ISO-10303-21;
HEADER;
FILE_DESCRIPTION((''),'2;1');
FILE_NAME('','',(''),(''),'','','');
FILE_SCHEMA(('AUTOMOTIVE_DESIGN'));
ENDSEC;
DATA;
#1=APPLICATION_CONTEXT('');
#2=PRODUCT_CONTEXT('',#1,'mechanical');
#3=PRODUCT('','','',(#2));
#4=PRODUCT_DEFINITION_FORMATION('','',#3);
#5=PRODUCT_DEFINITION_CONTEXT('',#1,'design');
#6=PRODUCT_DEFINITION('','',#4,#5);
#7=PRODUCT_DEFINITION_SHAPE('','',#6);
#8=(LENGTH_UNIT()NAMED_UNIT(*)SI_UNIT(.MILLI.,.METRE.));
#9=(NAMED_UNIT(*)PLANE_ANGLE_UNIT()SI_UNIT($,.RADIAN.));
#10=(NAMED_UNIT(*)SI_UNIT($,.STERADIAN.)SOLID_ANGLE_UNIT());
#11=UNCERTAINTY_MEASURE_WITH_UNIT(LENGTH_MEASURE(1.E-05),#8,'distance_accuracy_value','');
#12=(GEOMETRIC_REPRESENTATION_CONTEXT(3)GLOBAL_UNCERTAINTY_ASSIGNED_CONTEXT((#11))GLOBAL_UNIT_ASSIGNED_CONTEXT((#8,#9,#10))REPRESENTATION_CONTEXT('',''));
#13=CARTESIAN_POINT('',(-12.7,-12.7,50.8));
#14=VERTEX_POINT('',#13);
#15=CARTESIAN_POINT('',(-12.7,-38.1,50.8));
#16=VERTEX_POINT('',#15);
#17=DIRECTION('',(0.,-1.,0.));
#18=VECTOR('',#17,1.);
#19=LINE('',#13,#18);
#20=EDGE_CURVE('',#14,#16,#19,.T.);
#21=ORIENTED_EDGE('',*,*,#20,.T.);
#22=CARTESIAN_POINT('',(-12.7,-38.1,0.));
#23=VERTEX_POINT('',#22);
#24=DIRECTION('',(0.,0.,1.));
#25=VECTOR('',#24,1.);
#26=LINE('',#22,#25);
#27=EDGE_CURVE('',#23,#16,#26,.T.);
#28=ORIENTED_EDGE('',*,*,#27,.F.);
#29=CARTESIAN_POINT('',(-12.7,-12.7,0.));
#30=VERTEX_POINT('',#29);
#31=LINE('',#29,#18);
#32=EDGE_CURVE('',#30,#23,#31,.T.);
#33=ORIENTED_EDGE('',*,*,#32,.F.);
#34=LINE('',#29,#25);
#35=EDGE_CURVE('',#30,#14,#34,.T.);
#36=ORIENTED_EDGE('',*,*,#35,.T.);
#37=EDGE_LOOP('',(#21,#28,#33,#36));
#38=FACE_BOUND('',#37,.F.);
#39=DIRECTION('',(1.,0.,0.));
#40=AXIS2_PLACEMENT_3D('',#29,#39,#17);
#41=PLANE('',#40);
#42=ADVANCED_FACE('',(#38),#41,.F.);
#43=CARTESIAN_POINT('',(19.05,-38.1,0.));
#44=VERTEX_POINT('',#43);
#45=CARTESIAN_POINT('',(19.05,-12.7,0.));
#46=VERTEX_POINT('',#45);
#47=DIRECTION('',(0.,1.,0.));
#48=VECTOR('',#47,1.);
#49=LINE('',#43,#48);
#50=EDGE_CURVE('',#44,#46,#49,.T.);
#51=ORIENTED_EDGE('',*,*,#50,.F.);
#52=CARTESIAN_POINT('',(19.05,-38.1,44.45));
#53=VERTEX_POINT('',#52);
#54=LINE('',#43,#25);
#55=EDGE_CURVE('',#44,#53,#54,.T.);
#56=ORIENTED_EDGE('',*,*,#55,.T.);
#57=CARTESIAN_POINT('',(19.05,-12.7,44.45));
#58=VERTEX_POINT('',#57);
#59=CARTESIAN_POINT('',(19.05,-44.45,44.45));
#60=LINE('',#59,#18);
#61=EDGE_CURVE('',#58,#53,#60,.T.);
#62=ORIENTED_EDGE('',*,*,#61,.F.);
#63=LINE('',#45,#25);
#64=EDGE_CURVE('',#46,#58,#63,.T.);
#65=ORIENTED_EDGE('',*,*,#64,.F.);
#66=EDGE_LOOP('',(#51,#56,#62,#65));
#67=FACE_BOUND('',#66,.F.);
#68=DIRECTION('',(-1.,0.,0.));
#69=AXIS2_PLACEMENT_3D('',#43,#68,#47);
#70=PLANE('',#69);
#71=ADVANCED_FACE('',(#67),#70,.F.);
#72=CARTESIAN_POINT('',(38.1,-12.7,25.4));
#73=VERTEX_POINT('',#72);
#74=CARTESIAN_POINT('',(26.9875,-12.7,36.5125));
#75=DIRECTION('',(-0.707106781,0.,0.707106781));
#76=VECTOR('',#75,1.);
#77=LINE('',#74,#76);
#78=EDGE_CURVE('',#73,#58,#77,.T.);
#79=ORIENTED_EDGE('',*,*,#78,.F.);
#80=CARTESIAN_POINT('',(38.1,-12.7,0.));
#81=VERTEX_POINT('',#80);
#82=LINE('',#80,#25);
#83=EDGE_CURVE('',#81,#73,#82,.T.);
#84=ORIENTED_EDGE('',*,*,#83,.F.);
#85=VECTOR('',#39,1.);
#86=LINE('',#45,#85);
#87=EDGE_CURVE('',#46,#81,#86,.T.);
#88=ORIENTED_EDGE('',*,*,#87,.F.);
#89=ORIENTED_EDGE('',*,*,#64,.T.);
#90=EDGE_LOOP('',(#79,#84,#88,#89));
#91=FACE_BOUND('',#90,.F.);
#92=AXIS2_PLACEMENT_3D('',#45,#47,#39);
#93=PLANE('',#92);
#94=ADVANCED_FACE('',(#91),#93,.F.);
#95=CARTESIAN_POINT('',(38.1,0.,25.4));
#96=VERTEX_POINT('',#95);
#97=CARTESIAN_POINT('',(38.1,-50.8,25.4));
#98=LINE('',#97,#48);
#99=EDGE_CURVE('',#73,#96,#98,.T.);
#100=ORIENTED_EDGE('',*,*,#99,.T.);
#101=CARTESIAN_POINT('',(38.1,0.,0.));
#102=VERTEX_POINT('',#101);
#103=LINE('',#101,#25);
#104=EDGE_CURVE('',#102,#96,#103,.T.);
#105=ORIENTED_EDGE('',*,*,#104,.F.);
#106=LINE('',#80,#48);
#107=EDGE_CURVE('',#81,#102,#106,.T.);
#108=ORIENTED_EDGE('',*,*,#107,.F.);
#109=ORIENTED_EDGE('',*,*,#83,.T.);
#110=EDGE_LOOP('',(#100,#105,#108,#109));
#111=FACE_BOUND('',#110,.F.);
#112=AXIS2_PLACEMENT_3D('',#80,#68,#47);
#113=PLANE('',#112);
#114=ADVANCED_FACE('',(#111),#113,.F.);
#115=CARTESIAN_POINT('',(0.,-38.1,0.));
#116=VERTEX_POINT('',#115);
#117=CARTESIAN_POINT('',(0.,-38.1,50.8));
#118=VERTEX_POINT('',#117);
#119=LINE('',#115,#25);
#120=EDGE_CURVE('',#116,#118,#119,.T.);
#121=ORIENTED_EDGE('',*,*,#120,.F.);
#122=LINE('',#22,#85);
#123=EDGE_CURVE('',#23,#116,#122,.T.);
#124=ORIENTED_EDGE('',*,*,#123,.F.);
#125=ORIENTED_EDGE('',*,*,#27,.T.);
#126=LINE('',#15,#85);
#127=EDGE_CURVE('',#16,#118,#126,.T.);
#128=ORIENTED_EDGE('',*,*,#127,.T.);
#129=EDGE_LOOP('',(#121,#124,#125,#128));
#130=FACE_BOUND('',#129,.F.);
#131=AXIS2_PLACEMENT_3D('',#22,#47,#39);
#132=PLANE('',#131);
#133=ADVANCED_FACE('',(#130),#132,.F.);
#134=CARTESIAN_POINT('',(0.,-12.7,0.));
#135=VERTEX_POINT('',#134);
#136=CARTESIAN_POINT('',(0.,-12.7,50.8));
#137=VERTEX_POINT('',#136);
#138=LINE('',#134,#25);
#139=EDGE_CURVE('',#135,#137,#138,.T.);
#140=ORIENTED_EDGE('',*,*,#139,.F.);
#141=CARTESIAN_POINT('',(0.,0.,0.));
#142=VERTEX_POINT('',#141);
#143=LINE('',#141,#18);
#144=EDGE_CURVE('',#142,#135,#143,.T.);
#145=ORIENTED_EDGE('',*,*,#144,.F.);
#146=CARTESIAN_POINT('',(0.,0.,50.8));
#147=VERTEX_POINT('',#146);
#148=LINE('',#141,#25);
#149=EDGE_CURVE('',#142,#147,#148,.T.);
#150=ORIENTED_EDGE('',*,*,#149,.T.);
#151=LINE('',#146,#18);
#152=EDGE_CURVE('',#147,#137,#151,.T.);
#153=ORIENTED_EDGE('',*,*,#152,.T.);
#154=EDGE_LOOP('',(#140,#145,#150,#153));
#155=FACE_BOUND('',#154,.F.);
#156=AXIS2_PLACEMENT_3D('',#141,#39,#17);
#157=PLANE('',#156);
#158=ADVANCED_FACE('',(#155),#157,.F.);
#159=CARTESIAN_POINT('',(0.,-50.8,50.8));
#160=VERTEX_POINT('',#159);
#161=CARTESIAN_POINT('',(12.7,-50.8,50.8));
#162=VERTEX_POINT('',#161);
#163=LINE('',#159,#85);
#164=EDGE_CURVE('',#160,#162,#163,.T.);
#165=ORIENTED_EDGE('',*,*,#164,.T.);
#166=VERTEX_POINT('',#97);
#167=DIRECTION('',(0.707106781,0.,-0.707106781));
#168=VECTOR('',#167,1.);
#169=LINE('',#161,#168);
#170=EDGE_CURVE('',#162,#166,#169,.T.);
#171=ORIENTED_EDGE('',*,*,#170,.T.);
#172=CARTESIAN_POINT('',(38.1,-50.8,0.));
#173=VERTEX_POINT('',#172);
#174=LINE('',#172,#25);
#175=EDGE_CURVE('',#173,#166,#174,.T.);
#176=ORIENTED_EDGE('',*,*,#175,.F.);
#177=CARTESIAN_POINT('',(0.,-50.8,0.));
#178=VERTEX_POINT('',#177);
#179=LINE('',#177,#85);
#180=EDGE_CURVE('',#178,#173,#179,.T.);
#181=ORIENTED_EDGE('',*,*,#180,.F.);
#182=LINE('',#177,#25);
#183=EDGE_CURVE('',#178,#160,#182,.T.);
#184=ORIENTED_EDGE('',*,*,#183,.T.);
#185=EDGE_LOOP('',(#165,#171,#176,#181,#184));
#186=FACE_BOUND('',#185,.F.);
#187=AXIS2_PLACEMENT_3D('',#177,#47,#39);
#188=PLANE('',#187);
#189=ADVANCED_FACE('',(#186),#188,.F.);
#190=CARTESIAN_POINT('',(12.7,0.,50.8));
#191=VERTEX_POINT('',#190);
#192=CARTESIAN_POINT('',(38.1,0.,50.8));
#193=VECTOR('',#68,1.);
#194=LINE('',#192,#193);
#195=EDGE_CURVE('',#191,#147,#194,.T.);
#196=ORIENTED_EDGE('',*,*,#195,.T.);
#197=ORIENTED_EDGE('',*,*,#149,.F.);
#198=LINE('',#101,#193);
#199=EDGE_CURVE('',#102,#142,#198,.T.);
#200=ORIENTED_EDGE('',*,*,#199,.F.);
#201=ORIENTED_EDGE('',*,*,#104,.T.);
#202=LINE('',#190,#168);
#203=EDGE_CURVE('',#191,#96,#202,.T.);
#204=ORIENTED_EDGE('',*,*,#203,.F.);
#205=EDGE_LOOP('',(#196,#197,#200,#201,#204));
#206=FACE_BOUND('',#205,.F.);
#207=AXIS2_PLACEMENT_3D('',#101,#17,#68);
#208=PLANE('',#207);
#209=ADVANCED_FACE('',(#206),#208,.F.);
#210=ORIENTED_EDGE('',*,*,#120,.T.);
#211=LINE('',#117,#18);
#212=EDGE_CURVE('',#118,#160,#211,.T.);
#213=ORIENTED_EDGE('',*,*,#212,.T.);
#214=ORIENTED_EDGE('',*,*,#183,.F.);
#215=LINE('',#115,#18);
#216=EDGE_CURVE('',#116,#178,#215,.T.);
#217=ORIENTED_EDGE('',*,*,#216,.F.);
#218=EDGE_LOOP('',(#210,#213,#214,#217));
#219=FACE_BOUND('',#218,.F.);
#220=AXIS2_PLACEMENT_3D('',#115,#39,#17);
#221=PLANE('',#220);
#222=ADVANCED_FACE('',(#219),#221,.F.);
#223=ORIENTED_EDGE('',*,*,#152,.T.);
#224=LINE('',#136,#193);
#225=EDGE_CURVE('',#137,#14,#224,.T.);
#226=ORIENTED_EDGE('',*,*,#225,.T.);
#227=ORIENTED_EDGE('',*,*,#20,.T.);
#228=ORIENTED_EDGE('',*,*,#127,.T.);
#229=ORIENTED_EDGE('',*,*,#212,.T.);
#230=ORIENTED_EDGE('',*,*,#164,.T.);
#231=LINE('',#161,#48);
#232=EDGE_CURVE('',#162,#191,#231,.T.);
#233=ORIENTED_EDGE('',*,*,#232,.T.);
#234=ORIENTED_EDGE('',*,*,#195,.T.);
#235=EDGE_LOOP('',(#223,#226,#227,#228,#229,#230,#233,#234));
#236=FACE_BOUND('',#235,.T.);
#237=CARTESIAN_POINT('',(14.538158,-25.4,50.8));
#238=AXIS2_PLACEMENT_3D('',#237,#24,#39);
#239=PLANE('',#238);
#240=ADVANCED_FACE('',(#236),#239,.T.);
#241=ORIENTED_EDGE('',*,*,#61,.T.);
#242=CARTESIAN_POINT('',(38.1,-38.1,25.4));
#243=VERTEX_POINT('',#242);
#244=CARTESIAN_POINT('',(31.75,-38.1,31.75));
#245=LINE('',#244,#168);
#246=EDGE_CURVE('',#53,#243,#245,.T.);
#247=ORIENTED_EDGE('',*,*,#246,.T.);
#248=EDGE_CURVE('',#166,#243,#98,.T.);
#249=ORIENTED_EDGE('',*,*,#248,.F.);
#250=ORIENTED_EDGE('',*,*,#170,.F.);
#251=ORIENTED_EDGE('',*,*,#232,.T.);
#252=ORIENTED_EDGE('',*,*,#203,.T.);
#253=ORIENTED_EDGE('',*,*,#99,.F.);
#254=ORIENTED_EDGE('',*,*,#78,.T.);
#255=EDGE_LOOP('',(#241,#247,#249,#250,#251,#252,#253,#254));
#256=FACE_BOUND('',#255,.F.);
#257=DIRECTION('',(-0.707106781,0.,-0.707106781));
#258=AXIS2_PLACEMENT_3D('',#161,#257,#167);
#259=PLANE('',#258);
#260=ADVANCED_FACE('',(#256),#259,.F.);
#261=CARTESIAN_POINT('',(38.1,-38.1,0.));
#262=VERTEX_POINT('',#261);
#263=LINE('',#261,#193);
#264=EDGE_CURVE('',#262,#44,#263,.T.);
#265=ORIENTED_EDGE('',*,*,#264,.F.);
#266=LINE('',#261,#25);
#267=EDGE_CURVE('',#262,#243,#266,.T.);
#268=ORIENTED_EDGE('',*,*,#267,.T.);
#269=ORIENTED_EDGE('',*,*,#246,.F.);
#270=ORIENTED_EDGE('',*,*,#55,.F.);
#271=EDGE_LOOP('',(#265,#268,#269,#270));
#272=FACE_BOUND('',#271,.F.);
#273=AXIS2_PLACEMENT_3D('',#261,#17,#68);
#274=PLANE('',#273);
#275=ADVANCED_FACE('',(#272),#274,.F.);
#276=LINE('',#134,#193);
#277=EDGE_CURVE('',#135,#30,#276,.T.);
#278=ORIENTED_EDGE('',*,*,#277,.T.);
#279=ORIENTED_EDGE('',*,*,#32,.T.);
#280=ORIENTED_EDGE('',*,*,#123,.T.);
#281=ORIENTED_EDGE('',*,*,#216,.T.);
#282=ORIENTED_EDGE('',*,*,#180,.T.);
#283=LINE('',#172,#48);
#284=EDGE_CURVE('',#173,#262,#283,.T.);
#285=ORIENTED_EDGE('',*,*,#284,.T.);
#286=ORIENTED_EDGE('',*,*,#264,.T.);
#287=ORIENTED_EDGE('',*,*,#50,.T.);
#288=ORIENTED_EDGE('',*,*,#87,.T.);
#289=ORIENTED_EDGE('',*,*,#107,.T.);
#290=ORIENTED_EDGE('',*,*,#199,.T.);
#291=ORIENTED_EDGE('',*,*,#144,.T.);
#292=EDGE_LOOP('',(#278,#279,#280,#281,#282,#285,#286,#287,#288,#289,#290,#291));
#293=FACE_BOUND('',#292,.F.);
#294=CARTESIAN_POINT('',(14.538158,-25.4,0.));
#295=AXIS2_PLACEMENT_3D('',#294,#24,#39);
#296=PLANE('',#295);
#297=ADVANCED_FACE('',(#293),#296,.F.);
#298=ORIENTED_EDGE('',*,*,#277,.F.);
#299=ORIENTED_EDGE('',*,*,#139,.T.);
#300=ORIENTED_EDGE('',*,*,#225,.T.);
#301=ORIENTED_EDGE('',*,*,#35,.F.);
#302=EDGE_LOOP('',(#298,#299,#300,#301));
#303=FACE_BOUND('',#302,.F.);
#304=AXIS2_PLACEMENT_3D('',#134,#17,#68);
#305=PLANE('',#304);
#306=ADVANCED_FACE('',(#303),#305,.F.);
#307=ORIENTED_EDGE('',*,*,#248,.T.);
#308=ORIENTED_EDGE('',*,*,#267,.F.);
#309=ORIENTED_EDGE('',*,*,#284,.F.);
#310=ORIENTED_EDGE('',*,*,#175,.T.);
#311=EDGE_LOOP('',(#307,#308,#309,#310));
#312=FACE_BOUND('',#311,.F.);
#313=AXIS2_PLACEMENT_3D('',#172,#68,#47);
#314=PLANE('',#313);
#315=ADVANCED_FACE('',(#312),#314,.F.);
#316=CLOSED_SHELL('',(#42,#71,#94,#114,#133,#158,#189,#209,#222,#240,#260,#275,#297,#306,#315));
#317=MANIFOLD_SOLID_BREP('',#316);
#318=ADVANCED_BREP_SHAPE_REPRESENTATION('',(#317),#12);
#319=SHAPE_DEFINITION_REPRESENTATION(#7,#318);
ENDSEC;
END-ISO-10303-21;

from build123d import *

# Parameters (mm, degrees)
F1_DEPTH = 50.8
F3_DEPTH = 50.8


with BuildPart() as f1:
    # F0 (on Top) → F1 (new body)
    with BuildSketch(Plane.XY):
        Polygon((38.1, 0), (0, 0), (0, -12.7), (-12.7, -12.7), (-12.7, -38.1), (0, -38.1), (0, -50.8), (38.1, -50.8), (38.1, -38.1), (19.05, -38.1), (19.05, -12.7), (38.1, -12.7), align=None)
    extrude(amount=F1_DEPTH)

    # F2 (on face) → F3 (cut, through all)
    with BuildSketch(Plane.XZ.offset(50.8)):
        Polygon((38.1, 25.4), (38.1, 50.8), (12.7, 50.8), align=None)
    extrude(amount=-F3_DEPTH, mode=Mode.SUBTRACT)


solid = f1.part
